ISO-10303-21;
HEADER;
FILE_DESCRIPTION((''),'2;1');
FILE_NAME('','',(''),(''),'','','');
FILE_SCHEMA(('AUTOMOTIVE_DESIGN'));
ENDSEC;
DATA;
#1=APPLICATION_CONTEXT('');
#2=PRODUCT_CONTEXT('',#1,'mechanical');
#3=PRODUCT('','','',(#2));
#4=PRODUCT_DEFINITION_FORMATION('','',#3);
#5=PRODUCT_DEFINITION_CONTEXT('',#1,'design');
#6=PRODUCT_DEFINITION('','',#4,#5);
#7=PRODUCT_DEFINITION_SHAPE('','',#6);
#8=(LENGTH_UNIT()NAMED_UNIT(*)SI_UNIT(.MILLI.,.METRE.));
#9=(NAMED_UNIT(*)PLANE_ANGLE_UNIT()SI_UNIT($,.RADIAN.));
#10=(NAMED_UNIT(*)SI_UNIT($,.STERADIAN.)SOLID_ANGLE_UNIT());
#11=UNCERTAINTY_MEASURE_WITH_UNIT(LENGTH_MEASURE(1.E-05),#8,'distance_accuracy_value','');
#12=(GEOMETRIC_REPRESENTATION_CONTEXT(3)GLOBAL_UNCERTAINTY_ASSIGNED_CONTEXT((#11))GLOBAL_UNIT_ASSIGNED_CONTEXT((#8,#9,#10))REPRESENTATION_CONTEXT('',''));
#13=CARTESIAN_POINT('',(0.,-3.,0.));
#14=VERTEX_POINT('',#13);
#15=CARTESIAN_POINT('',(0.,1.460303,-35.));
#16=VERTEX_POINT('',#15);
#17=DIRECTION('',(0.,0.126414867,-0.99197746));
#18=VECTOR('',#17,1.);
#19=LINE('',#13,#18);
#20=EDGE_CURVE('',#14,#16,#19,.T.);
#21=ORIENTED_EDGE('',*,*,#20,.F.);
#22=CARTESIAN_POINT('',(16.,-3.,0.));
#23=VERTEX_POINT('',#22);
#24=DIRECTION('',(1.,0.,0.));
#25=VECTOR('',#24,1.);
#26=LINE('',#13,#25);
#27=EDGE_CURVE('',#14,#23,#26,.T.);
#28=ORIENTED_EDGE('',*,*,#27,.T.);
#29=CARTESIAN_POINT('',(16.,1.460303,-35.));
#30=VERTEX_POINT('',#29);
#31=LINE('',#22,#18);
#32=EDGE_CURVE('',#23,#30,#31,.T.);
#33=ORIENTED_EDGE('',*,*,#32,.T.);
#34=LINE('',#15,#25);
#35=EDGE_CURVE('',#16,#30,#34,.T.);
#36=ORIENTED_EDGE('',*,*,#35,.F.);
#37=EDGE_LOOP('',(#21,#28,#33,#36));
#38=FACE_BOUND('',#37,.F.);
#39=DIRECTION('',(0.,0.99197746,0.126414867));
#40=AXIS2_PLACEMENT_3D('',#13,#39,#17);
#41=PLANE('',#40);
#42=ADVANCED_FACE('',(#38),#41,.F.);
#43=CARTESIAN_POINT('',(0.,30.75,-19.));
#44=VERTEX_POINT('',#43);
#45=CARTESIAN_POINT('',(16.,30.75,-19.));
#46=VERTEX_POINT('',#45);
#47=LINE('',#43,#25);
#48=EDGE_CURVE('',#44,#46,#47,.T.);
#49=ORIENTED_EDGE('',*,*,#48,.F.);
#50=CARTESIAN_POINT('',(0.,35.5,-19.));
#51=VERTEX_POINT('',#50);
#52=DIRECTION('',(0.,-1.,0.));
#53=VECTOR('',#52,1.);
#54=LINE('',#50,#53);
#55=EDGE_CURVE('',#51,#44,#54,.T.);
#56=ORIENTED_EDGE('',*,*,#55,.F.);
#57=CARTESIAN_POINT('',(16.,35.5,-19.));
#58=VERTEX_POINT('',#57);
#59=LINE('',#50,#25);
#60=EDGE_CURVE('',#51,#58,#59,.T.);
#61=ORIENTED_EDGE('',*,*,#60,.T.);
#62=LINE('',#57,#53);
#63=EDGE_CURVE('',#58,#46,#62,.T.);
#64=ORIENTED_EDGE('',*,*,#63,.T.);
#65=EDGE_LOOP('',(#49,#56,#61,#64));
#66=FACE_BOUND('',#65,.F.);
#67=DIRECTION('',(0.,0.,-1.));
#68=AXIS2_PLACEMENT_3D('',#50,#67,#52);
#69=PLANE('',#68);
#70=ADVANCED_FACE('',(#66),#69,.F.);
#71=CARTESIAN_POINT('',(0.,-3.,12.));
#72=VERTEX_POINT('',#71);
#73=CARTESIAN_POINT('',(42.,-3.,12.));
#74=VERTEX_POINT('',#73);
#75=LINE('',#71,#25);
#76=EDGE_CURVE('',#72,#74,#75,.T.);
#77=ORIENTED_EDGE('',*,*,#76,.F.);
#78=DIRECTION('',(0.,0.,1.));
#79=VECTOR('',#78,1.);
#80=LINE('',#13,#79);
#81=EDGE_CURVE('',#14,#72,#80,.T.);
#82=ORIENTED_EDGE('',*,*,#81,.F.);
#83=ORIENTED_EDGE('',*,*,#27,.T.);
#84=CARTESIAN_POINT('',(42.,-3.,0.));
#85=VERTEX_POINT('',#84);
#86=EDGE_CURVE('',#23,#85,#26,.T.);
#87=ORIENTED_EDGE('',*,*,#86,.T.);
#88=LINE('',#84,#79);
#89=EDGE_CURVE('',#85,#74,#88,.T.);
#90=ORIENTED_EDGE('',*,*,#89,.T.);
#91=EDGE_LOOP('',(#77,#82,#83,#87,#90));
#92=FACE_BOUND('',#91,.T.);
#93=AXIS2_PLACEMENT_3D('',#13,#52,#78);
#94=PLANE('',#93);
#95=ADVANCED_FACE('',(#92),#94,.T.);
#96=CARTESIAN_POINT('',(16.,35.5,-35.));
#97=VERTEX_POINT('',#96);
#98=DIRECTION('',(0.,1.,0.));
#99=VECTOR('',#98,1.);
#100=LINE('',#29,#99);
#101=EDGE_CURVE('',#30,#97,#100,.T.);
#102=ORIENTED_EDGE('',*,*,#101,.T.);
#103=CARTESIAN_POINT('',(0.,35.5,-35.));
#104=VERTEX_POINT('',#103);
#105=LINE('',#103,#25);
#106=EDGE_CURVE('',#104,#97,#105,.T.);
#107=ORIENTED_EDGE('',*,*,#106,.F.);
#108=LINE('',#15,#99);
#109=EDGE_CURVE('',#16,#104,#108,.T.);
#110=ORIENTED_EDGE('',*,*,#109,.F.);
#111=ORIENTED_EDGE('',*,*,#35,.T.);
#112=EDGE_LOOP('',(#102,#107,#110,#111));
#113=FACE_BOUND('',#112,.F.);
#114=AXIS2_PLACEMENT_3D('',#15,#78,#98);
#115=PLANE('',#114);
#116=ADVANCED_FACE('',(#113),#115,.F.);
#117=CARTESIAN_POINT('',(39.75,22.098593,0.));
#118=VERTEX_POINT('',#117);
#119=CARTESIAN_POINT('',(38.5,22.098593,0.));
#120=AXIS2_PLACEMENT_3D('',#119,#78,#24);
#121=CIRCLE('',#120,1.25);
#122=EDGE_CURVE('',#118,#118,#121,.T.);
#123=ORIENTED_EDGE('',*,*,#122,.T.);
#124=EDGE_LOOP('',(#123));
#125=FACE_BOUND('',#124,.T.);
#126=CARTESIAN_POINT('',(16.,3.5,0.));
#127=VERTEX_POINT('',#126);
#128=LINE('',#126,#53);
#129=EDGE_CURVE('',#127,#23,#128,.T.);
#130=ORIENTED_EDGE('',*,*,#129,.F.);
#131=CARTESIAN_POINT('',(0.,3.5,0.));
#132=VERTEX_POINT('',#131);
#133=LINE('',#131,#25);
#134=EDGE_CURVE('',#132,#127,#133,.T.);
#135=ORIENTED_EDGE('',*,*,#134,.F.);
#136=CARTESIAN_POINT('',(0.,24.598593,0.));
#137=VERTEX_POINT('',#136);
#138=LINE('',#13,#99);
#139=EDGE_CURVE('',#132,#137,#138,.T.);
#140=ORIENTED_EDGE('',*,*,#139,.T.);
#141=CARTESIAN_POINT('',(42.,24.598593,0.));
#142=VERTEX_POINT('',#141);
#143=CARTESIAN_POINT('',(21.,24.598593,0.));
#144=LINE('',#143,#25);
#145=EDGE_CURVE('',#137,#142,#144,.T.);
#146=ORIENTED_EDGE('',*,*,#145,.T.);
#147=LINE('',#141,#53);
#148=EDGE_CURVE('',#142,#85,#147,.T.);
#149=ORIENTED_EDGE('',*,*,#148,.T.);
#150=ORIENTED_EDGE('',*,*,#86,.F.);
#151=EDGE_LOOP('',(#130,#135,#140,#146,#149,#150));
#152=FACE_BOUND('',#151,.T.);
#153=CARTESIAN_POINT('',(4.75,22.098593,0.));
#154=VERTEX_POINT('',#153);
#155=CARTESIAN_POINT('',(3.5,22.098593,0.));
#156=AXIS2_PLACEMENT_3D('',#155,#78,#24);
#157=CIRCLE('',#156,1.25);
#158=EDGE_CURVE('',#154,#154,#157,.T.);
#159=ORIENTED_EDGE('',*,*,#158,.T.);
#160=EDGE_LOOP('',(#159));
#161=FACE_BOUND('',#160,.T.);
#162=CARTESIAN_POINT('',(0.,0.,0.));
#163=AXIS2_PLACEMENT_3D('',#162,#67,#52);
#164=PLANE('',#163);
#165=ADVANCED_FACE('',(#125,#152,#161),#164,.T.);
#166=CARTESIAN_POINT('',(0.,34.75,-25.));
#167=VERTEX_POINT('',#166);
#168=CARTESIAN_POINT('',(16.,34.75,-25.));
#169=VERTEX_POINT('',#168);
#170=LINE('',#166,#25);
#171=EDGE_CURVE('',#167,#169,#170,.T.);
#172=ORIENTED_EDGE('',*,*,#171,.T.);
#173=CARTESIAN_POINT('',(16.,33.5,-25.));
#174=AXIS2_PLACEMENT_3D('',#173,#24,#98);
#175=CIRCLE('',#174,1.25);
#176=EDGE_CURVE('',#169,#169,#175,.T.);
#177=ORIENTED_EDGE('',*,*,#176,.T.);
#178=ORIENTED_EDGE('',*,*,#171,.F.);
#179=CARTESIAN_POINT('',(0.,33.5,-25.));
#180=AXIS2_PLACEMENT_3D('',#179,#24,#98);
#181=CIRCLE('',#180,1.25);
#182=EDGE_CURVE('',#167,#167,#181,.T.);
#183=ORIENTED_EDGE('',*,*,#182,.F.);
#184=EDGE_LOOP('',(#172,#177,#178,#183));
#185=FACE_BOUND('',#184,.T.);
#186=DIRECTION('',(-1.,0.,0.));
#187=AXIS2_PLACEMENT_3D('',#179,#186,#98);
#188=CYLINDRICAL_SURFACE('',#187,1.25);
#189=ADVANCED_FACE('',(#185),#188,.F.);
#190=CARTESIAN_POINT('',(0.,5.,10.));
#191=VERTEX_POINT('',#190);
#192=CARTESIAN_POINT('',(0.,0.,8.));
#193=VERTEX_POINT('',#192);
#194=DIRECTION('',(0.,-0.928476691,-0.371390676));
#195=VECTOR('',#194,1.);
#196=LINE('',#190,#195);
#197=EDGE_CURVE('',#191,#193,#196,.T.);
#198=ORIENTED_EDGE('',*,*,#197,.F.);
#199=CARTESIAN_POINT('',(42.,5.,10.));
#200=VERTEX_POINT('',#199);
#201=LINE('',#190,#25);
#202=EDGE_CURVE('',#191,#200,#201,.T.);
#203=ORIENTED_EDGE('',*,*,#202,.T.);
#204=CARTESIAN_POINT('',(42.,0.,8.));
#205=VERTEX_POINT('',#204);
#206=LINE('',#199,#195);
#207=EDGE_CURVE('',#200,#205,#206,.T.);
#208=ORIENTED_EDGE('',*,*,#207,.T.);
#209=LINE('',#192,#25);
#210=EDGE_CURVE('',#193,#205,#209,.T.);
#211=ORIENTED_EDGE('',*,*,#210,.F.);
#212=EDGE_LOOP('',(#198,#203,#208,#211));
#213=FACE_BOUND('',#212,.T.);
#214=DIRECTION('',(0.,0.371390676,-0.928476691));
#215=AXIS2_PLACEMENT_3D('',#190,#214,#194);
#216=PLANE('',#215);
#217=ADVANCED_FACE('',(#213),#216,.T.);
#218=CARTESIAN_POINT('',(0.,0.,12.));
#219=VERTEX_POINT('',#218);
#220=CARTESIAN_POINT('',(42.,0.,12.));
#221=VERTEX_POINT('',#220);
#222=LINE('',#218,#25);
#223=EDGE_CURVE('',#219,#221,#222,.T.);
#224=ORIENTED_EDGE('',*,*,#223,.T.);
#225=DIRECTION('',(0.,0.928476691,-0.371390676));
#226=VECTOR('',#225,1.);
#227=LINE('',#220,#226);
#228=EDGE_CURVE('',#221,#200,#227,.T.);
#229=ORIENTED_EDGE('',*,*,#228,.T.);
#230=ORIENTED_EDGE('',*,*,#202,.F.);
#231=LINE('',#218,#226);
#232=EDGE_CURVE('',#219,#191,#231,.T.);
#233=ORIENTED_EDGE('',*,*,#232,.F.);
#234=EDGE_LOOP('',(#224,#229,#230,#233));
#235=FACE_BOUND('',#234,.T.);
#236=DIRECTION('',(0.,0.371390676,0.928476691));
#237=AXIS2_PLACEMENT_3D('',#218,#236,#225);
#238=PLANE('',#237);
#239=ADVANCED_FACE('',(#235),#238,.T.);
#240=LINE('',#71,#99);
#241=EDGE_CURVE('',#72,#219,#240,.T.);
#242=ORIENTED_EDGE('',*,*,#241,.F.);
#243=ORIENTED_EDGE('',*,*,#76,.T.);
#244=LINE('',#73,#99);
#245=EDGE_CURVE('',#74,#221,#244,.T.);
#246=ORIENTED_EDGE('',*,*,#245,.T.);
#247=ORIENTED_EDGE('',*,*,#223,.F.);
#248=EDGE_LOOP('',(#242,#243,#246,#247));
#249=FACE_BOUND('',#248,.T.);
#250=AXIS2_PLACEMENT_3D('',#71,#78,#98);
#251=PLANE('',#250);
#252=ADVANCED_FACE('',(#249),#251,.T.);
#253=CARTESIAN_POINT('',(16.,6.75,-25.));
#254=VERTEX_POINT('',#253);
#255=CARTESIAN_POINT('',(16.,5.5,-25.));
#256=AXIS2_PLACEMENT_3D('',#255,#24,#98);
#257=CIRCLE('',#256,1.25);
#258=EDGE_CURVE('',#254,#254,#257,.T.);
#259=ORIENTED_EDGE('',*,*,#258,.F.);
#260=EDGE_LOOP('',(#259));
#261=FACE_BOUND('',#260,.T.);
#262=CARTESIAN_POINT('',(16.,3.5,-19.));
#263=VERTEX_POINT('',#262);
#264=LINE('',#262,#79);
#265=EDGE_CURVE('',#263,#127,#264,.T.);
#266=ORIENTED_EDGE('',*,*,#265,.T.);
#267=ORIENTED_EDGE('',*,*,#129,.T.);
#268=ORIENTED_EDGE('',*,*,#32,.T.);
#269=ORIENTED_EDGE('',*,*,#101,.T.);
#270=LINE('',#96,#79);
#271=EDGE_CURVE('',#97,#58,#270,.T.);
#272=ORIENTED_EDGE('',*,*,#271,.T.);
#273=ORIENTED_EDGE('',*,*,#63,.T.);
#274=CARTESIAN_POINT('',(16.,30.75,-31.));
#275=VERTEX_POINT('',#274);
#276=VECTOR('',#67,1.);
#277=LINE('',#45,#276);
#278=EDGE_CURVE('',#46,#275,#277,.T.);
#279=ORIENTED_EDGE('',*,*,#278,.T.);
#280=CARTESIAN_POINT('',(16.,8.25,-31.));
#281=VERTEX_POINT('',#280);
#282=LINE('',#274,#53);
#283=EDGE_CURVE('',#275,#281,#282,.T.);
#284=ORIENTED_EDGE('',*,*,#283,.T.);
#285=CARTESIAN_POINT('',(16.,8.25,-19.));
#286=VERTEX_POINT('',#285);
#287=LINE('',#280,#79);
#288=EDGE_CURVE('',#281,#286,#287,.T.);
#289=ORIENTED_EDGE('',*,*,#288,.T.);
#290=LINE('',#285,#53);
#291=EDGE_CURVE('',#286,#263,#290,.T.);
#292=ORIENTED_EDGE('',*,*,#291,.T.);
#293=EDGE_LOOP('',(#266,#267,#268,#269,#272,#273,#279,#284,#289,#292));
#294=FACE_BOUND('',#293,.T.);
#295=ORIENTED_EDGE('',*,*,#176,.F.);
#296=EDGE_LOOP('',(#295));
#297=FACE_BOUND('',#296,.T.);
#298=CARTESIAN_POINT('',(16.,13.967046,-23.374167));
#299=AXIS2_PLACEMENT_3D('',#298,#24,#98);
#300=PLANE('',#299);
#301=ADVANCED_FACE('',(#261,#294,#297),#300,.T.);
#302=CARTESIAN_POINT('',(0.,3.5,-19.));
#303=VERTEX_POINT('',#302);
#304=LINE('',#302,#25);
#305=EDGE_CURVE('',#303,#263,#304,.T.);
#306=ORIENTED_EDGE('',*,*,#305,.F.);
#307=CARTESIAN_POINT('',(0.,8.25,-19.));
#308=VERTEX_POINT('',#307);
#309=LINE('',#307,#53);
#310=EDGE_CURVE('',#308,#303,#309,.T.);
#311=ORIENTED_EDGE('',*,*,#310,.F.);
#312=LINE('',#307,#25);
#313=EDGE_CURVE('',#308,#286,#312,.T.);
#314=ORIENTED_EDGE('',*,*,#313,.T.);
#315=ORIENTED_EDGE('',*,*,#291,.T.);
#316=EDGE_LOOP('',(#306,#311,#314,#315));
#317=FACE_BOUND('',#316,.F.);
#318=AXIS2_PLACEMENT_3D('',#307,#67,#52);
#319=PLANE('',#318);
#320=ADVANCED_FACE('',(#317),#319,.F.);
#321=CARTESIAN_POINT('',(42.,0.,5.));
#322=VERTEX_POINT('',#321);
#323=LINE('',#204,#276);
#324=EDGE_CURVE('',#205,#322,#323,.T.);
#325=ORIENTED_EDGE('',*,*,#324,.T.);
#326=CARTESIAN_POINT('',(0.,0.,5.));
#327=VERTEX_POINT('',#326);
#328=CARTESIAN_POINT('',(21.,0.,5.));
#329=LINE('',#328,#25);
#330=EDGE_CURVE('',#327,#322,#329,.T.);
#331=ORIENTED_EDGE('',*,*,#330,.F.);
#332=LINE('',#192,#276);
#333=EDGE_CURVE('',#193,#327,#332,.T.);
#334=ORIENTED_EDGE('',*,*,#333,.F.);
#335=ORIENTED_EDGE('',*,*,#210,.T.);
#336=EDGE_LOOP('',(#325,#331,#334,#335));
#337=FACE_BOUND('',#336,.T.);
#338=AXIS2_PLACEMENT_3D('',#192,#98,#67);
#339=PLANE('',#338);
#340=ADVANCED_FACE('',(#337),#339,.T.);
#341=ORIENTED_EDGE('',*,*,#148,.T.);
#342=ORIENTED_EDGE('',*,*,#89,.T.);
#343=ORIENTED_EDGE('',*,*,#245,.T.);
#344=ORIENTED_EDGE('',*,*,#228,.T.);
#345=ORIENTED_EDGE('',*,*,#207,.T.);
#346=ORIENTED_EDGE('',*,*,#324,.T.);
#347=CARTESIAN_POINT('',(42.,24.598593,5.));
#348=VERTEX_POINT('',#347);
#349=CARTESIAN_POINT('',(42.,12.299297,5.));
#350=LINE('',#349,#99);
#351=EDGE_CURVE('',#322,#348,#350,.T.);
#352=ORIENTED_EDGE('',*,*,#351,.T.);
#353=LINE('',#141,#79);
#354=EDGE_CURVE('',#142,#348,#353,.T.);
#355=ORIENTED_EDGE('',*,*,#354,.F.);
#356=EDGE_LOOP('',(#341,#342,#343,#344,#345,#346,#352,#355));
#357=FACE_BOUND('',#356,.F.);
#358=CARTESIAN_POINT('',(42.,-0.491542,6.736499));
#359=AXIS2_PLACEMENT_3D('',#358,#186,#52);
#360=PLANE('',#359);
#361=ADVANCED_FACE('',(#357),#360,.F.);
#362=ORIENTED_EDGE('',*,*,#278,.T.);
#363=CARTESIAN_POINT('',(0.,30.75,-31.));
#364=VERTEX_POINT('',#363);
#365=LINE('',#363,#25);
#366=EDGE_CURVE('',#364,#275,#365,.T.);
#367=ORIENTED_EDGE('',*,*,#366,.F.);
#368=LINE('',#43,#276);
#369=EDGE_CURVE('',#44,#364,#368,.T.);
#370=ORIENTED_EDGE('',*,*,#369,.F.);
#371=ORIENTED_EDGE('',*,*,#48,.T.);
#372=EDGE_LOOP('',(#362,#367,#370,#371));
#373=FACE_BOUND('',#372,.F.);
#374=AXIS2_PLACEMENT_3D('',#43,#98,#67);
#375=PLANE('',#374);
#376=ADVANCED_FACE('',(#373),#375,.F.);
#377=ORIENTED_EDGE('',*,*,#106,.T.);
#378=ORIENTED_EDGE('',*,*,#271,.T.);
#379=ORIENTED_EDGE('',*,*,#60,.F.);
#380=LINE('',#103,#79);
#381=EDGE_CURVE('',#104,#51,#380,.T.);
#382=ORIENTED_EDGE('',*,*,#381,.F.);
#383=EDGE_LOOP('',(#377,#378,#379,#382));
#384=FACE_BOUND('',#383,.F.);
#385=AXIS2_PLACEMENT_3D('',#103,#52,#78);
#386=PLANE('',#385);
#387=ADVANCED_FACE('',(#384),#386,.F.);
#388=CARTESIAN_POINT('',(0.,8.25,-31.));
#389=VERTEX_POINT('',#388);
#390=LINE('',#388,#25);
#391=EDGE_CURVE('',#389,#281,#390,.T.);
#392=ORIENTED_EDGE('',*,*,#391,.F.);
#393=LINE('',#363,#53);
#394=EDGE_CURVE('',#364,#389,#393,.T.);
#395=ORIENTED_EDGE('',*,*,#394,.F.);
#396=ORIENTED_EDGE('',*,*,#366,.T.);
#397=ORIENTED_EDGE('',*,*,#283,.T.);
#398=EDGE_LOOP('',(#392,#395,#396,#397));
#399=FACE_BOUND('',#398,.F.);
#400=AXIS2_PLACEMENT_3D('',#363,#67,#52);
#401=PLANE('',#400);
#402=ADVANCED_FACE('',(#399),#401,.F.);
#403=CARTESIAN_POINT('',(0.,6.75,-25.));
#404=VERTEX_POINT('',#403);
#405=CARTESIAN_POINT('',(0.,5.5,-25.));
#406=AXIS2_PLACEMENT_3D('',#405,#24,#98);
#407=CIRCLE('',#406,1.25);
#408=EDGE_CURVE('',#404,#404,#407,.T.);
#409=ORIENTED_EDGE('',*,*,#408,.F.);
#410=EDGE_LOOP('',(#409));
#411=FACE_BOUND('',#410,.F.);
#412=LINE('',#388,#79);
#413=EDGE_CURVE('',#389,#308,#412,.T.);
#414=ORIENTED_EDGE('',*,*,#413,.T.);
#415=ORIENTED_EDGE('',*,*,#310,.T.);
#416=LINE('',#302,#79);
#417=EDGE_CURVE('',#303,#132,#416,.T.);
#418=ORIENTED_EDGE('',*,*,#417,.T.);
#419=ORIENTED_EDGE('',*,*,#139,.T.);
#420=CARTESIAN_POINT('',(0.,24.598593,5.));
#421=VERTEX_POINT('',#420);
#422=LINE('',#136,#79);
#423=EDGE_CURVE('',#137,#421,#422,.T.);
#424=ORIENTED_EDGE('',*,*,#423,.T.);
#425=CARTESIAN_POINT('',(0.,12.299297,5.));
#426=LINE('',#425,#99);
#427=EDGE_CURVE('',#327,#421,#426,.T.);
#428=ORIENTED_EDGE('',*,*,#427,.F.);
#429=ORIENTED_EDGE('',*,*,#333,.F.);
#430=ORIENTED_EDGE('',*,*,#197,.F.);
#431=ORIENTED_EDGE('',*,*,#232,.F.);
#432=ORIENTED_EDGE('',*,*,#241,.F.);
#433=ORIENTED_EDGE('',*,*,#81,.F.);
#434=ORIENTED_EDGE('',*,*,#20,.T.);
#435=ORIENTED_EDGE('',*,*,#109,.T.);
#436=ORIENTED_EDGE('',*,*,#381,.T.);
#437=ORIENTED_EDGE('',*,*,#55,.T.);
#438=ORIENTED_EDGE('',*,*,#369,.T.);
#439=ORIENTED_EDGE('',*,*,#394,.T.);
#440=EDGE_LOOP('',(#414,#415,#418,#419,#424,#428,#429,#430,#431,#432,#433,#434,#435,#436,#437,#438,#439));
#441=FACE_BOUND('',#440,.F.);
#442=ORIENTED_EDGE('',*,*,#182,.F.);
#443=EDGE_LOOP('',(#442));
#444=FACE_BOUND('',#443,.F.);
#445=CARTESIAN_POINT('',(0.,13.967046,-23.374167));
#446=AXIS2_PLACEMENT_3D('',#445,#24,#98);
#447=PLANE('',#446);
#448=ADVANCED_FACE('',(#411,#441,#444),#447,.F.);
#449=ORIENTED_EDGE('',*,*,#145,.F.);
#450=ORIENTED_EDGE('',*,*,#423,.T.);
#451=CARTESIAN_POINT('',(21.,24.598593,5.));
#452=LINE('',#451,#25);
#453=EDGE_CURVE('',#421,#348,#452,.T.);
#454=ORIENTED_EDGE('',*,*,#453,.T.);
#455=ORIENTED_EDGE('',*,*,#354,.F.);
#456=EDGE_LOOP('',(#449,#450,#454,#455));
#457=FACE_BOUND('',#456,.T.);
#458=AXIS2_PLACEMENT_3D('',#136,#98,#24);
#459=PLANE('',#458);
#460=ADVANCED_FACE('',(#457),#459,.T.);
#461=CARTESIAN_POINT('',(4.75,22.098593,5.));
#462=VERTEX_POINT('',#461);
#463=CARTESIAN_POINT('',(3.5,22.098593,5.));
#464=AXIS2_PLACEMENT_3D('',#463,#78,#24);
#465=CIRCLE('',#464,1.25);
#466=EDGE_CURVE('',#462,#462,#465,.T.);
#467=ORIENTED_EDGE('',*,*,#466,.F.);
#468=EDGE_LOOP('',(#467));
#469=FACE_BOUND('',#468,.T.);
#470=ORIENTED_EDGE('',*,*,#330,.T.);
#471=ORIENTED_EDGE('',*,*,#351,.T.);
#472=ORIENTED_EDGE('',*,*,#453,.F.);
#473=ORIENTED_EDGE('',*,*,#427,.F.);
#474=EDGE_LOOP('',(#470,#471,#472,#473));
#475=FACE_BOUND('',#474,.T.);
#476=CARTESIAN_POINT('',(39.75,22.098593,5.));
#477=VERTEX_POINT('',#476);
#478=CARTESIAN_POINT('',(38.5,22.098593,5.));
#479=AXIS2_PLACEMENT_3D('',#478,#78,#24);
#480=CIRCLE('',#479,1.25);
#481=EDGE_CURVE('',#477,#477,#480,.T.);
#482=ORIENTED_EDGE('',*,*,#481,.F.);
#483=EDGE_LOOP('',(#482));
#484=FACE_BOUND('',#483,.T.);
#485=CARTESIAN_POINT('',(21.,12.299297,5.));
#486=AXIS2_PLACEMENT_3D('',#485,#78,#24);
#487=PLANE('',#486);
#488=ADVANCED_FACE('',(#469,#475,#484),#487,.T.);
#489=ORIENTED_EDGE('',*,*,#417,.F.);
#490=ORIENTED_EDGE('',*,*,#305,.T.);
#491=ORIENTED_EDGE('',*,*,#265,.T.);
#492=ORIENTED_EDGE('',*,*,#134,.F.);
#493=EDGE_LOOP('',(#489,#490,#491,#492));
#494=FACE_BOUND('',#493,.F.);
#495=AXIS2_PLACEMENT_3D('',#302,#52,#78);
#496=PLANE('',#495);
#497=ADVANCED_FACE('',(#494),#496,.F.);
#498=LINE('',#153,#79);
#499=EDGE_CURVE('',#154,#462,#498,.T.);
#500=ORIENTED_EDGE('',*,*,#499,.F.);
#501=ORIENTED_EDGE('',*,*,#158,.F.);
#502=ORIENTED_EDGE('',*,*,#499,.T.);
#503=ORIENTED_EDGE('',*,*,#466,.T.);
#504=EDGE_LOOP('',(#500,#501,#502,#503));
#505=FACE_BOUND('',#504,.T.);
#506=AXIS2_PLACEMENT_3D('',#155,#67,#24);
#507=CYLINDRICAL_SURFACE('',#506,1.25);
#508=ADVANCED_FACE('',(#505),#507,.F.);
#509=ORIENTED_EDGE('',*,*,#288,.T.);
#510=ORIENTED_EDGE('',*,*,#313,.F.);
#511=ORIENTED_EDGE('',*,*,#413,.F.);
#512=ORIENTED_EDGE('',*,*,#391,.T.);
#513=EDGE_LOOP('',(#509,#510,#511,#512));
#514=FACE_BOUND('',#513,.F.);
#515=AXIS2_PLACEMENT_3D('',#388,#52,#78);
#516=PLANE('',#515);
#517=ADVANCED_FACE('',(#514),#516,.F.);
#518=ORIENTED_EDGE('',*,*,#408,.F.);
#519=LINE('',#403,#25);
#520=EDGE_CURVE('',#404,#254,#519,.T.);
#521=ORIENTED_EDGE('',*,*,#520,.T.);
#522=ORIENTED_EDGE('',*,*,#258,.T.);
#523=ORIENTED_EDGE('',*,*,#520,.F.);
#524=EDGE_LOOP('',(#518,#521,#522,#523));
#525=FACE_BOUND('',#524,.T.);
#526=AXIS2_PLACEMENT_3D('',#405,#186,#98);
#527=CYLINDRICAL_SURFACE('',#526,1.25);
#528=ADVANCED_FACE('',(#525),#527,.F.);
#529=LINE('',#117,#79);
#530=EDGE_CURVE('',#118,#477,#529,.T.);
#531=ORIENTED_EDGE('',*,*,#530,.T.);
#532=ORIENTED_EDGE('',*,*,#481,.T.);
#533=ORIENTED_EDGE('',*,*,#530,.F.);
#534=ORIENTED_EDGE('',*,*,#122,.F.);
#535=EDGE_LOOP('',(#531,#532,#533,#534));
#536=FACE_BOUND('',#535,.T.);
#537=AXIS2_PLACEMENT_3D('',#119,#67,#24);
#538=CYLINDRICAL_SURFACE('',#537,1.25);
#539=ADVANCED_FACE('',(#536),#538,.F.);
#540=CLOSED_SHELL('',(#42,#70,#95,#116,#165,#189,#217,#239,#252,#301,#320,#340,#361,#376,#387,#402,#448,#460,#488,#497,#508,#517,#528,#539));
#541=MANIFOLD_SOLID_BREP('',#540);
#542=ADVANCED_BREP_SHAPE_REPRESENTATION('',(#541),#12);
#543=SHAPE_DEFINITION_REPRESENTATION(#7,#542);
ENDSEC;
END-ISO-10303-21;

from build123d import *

# Parameters (mm, degrees)
F0_W     = 42
F0_H     = 24.59859317
F0_R     = 1.25
F1_DEPTH = 5
F3_DEPTH = 42
F5_R     = 1.25
F6_DEPTH = 16


with BuildPart() as f1:
    # F0 (on Top) → F1 (new body)
    with BuildSketch(Plane.XY):
        with Locations((21, 12.299296585)):
            Rectangle(F0_W, F0_H)
        with Locations((3.5, 22.09859317)):
            Circle(F0_R, mode=Mode.SUBTRACT)
        with Locations((38.5, 22.09859317)):
            Circle(F0_R, mode=Mode.SUBTRACT)
    extrude(amount=F1_DEPTH)

    # F2 (on face) → F3 (join, through all)
    with BuildSketch(Plane(origin=(0, 0, 0), x_dir=(0, -1, 0), z_dir=(-1, 0, 0))):
        Polygon((0, 5), (0, 0), (3, 0), (3, 12), (0, 12), (-5, 10), (0, 8), align=None)
    extrude(amount=-F3_DEPTH)

    # F5 (on Right) → F6 (join)
    with BuildSketch(Plane.YZ):
        Polygon((3.5, -19), (3.5, 0), (-3, 0), (1.4603033196, -35), (35.5, -35), (35.5, -19), (30.75, -19), (30.75, -31), (8.25, -31), (8.25, -19), align=None)
        with Locations((5.5, -25)):
            Circle(F5_R, mode=Mode.SUBTRACT)
        with Locations((33.5, -25)):
            Circle(F5_R, mode=Mode.SUBTRACT)
    extrude(amount=F6_DEPTH)


solid = f1.part
